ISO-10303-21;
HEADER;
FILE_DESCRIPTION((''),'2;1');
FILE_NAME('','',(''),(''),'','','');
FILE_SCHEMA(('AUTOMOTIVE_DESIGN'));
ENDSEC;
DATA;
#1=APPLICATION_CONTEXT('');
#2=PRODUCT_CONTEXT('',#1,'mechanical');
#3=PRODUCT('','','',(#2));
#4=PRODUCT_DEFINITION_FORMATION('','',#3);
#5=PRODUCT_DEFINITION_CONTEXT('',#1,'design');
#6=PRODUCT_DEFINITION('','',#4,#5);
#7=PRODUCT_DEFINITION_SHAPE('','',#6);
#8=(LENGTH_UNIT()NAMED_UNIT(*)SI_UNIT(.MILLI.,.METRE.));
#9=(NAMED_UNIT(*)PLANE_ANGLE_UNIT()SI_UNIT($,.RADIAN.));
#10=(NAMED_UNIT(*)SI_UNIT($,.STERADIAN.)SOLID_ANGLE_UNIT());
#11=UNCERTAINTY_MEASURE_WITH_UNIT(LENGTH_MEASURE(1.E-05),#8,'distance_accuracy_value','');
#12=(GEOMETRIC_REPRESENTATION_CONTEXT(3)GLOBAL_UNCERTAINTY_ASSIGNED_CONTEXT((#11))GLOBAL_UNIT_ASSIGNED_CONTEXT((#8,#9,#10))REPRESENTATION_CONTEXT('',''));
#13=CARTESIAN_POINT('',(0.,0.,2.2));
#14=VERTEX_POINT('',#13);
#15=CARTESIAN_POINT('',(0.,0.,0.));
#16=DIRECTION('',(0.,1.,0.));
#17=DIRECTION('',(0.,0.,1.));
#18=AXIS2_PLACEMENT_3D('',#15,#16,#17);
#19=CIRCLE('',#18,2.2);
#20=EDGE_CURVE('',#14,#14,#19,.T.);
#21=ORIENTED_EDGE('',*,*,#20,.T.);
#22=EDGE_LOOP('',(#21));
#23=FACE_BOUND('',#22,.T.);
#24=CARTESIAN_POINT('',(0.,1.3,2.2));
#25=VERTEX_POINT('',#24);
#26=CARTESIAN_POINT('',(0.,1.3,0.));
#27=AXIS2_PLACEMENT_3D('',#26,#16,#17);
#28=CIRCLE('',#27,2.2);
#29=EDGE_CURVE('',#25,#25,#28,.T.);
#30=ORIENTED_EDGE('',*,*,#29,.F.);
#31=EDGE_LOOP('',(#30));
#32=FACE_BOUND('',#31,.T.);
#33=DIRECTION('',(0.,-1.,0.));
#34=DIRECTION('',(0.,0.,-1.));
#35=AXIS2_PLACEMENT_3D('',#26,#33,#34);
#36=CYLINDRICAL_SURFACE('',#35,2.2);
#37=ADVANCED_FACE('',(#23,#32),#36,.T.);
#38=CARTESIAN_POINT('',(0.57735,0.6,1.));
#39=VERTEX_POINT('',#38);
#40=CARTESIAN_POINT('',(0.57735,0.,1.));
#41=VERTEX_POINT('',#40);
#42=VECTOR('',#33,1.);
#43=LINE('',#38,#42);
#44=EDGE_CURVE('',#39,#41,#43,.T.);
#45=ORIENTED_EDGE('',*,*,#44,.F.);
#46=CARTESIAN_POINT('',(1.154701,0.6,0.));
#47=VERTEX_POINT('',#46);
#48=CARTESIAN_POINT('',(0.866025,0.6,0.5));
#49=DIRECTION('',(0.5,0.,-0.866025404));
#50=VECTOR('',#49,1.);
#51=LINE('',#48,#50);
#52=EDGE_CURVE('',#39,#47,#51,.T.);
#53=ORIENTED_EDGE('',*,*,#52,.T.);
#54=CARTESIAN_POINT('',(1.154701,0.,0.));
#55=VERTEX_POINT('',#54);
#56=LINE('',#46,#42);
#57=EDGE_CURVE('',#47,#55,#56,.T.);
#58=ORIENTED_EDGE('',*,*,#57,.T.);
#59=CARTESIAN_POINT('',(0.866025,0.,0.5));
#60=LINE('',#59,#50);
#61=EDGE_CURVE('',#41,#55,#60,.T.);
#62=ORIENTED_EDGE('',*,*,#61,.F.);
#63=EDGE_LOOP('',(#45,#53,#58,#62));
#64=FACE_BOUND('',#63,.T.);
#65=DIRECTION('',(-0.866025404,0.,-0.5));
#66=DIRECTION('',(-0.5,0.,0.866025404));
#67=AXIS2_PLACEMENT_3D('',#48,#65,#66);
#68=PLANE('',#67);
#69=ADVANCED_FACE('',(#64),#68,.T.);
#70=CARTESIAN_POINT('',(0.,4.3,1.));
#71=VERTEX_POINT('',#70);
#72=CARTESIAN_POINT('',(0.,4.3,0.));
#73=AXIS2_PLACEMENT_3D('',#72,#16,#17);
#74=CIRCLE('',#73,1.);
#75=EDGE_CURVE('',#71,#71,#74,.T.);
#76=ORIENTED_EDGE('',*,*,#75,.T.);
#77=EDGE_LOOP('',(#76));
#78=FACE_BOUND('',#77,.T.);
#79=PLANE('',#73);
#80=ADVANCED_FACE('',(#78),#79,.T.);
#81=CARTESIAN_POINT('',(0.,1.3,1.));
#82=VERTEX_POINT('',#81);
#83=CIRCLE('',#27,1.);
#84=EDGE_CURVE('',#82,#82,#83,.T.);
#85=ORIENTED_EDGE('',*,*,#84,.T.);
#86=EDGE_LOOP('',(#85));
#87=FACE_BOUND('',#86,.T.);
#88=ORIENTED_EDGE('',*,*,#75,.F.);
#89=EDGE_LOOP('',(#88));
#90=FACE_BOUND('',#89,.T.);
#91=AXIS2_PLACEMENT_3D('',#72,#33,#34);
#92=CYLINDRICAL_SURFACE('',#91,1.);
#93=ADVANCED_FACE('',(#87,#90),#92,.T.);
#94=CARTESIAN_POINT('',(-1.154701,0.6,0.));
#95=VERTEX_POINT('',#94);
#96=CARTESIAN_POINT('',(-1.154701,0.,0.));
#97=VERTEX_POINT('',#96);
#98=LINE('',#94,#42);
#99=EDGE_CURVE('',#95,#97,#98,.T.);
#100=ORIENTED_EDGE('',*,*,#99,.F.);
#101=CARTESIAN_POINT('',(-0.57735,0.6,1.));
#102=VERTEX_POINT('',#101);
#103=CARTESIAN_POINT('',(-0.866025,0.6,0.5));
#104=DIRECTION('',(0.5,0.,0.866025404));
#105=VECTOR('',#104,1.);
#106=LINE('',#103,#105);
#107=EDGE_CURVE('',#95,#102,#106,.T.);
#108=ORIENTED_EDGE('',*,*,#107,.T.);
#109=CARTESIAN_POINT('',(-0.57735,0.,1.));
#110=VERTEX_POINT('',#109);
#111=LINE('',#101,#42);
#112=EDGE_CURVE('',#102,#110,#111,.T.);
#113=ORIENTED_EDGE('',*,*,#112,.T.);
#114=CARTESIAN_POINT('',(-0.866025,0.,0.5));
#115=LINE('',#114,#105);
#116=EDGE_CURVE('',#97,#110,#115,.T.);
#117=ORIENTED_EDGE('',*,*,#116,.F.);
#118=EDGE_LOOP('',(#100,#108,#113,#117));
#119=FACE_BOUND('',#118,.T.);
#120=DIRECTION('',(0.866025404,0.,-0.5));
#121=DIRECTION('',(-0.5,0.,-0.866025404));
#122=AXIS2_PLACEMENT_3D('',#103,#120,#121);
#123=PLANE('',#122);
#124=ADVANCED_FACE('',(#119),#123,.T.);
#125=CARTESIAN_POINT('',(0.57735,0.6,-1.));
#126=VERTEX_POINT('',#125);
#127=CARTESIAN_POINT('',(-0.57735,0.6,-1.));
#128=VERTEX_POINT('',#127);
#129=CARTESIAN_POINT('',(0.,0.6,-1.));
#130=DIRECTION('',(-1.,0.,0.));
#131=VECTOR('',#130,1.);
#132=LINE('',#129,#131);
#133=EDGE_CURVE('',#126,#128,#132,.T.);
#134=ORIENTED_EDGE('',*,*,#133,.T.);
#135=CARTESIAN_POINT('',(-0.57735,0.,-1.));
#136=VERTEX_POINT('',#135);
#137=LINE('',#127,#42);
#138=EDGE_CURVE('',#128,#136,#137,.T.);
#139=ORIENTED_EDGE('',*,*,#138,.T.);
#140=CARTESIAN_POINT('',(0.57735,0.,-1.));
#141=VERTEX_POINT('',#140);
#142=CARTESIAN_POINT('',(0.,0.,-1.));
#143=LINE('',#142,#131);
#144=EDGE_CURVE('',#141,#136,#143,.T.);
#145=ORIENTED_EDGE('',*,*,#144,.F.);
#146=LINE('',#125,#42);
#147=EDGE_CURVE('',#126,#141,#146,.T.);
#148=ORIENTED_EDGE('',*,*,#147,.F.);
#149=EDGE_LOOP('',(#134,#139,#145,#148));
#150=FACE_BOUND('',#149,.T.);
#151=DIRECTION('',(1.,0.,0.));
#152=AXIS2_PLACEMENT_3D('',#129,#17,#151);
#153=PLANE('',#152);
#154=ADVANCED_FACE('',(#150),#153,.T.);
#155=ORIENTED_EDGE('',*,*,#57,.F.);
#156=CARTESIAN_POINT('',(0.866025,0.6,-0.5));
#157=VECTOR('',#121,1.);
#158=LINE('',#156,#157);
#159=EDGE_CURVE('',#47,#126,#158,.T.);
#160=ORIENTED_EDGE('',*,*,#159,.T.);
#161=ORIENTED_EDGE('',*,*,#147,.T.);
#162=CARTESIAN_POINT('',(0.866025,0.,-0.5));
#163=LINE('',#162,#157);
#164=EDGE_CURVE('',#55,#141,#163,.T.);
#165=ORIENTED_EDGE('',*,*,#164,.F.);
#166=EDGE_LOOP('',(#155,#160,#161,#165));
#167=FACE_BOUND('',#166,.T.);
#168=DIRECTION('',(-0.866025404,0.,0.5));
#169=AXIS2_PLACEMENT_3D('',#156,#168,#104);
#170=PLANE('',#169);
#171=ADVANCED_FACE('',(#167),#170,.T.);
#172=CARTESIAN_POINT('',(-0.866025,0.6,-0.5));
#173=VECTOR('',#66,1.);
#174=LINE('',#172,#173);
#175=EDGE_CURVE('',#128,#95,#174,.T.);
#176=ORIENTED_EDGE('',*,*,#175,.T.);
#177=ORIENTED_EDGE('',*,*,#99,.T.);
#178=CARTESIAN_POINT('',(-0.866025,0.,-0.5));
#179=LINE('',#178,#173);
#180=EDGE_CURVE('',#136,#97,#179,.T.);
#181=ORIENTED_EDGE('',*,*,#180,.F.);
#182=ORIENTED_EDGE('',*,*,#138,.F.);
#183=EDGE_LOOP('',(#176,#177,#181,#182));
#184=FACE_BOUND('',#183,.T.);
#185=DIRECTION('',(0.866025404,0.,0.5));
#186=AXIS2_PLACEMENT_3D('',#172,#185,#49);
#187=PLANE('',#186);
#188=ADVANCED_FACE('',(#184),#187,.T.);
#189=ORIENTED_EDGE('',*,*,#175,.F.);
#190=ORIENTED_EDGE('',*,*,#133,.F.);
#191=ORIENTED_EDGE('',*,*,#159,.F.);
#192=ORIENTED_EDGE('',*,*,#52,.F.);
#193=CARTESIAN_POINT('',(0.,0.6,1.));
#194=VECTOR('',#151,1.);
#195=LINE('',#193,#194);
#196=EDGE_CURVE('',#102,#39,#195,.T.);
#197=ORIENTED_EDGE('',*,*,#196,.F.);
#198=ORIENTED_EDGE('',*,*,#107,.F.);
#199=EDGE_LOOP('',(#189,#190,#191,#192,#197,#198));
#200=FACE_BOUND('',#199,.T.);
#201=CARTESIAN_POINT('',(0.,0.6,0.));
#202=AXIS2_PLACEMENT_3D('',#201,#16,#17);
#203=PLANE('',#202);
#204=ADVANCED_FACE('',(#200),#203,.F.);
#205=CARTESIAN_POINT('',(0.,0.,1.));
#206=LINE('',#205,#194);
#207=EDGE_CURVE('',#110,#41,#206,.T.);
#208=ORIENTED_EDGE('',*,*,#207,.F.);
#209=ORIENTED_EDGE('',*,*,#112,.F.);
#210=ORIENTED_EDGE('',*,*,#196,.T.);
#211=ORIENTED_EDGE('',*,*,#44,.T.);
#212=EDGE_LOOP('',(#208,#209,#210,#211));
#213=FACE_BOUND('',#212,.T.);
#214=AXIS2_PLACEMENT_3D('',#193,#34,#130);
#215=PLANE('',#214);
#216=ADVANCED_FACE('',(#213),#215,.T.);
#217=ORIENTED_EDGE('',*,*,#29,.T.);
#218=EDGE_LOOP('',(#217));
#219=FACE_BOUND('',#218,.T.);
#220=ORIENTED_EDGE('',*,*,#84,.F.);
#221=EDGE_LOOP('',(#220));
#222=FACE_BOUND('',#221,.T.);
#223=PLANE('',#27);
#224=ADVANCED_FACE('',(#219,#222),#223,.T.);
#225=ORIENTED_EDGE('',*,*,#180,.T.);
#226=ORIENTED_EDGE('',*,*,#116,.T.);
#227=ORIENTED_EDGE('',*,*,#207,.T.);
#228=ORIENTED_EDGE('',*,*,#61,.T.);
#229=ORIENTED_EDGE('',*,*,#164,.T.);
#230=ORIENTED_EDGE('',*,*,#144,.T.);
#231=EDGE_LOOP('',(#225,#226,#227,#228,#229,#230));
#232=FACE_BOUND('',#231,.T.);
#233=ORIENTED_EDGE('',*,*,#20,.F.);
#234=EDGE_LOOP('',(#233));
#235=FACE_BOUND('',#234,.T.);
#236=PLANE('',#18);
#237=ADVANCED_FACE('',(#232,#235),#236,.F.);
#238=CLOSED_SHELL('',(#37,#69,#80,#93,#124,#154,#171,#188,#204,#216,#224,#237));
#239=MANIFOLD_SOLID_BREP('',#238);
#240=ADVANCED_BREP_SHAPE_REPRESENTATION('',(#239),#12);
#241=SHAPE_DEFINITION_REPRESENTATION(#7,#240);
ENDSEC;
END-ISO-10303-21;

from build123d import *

# Parameters (mm, degrees)
SKETCH_1_R          = 2.2
EXTRUDE_1_DEPTH     = 1.3
CUT_EXTRUDE_1_DEPTH = 0.6
SKETCH_2_R          = 1
EXTRUDE_2_DEPTH     = 3


with BuildPart() as part:
    # 草图1 → 凸台-拉伸1 (new body)
    with BuildSketch(Plane(origin=(0, 0, 0), x_dir=(1, 0, 0), z_dir=(0, 1, 0))):
        Circle(SKETCH_1_R)
    extrude(amount=EXTRUDE_1_DEPTH)

    # 草图1<3> → 切除-拉伸1 (cut)
    with BuildSketch(Plane(origin=(0, 0, 0), x_dir=(1, 0, 0), z_dir=(0, 1, 0))):
        Polygon((0.577350269, -1), (1.154700538, 0), (0.577350269, 1), (-0.577350269, 1), (-1.154700538, 0), (-0.577350269, -1), align=None)
    extrude(amount=CUT_EXTRUDE_1_DEPTH, mode=Mode.SUBTRACT)

    # 草图2 → 凸台-拉伸2 (add)
    with BuildSketch(Plane(origin=(0, 1.3, 0), x_dir=(1, 0, 0), z_dir=(0, 1, 0))):
        Circle(SKETCH_2_R)
    extrude(amount=EXTRUDE_2_DEPTH)


solid = part.part
